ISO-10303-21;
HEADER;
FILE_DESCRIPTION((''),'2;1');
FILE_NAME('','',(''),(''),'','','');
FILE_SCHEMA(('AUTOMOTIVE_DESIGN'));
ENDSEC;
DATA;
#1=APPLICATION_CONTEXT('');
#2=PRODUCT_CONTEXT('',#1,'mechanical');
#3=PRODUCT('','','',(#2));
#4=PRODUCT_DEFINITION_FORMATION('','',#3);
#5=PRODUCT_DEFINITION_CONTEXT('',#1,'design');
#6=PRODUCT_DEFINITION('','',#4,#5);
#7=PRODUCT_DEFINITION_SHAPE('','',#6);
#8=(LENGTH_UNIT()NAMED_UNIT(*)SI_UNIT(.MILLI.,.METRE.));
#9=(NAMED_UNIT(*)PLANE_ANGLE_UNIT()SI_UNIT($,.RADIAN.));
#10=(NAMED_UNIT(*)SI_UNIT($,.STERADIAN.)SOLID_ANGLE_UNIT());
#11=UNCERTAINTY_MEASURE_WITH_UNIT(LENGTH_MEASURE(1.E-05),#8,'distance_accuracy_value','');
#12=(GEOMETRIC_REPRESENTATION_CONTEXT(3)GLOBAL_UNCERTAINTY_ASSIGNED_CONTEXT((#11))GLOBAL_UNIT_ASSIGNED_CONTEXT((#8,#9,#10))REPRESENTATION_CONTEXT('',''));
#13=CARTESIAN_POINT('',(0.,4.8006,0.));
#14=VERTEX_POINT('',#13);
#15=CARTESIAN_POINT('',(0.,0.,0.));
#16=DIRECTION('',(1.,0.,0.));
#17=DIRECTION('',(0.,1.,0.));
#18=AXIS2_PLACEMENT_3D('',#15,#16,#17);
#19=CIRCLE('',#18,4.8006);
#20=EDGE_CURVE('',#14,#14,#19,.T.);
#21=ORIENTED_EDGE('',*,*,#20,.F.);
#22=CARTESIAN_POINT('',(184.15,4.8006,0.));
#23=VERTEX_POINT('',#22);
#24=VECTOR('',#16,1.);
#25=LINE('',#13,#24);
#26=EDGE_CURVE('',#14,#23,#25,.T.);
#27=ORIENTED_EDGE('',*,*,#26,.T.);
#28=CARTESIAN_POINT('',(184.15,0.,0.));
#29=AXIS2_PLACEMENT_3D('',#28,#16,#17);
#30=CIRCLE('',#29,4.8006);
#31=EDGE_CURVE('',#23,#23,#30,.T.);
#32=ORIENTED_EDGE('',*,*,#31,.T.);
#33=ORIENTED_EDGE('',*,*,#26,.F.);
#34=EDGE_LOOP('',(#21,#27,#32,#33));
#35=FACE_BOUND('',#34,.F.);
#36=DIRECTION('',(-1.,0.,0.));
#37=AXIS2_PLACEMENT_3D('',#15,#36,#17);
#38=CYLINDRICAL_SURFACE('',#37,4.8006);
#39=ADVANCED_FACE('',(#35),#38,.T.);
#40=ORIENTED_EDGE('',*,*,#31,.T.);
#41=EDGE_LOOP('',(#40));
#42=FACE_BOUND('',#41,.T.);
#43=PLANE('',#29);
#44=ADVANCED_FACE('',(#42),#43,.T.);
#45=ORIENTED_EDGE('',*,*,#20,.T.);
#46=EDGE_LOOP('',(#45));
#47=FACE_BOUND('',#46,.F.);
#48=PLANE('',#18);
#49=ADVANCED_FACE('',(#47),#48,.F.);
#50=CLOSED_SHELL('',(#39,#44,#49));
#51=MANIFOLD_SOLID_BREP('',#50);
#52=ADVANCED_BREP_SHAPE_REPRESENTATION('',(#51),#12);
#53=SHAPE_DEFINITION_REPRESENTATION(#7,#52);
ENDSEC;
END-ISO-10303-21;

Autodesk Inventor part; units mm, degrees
ref_plane "YZ Plane" through (0, 0, 0) normal (1, 0, 0) x (0, 1, 0)
ref_plane "XZ Plane" through (0, 0, 0) normal (0, 1, 0) x (-1, 0, 0)
ref_plane "XY Plane" through (0, 0, 0) normal (0, 0, 1) x (1, 0, 0)
sketch "Sketch1" plane through (0, 0, 0) normal (1, 0, 0) x (0, 1, 0)
  circle A0 centre (0, 0) radius 4.8006
  dimension "d0" = 9.6012
extrude "Extrusion1" add sketch "Sketch1" along normal blind 184.15
properties part number "Wheelaxles"
